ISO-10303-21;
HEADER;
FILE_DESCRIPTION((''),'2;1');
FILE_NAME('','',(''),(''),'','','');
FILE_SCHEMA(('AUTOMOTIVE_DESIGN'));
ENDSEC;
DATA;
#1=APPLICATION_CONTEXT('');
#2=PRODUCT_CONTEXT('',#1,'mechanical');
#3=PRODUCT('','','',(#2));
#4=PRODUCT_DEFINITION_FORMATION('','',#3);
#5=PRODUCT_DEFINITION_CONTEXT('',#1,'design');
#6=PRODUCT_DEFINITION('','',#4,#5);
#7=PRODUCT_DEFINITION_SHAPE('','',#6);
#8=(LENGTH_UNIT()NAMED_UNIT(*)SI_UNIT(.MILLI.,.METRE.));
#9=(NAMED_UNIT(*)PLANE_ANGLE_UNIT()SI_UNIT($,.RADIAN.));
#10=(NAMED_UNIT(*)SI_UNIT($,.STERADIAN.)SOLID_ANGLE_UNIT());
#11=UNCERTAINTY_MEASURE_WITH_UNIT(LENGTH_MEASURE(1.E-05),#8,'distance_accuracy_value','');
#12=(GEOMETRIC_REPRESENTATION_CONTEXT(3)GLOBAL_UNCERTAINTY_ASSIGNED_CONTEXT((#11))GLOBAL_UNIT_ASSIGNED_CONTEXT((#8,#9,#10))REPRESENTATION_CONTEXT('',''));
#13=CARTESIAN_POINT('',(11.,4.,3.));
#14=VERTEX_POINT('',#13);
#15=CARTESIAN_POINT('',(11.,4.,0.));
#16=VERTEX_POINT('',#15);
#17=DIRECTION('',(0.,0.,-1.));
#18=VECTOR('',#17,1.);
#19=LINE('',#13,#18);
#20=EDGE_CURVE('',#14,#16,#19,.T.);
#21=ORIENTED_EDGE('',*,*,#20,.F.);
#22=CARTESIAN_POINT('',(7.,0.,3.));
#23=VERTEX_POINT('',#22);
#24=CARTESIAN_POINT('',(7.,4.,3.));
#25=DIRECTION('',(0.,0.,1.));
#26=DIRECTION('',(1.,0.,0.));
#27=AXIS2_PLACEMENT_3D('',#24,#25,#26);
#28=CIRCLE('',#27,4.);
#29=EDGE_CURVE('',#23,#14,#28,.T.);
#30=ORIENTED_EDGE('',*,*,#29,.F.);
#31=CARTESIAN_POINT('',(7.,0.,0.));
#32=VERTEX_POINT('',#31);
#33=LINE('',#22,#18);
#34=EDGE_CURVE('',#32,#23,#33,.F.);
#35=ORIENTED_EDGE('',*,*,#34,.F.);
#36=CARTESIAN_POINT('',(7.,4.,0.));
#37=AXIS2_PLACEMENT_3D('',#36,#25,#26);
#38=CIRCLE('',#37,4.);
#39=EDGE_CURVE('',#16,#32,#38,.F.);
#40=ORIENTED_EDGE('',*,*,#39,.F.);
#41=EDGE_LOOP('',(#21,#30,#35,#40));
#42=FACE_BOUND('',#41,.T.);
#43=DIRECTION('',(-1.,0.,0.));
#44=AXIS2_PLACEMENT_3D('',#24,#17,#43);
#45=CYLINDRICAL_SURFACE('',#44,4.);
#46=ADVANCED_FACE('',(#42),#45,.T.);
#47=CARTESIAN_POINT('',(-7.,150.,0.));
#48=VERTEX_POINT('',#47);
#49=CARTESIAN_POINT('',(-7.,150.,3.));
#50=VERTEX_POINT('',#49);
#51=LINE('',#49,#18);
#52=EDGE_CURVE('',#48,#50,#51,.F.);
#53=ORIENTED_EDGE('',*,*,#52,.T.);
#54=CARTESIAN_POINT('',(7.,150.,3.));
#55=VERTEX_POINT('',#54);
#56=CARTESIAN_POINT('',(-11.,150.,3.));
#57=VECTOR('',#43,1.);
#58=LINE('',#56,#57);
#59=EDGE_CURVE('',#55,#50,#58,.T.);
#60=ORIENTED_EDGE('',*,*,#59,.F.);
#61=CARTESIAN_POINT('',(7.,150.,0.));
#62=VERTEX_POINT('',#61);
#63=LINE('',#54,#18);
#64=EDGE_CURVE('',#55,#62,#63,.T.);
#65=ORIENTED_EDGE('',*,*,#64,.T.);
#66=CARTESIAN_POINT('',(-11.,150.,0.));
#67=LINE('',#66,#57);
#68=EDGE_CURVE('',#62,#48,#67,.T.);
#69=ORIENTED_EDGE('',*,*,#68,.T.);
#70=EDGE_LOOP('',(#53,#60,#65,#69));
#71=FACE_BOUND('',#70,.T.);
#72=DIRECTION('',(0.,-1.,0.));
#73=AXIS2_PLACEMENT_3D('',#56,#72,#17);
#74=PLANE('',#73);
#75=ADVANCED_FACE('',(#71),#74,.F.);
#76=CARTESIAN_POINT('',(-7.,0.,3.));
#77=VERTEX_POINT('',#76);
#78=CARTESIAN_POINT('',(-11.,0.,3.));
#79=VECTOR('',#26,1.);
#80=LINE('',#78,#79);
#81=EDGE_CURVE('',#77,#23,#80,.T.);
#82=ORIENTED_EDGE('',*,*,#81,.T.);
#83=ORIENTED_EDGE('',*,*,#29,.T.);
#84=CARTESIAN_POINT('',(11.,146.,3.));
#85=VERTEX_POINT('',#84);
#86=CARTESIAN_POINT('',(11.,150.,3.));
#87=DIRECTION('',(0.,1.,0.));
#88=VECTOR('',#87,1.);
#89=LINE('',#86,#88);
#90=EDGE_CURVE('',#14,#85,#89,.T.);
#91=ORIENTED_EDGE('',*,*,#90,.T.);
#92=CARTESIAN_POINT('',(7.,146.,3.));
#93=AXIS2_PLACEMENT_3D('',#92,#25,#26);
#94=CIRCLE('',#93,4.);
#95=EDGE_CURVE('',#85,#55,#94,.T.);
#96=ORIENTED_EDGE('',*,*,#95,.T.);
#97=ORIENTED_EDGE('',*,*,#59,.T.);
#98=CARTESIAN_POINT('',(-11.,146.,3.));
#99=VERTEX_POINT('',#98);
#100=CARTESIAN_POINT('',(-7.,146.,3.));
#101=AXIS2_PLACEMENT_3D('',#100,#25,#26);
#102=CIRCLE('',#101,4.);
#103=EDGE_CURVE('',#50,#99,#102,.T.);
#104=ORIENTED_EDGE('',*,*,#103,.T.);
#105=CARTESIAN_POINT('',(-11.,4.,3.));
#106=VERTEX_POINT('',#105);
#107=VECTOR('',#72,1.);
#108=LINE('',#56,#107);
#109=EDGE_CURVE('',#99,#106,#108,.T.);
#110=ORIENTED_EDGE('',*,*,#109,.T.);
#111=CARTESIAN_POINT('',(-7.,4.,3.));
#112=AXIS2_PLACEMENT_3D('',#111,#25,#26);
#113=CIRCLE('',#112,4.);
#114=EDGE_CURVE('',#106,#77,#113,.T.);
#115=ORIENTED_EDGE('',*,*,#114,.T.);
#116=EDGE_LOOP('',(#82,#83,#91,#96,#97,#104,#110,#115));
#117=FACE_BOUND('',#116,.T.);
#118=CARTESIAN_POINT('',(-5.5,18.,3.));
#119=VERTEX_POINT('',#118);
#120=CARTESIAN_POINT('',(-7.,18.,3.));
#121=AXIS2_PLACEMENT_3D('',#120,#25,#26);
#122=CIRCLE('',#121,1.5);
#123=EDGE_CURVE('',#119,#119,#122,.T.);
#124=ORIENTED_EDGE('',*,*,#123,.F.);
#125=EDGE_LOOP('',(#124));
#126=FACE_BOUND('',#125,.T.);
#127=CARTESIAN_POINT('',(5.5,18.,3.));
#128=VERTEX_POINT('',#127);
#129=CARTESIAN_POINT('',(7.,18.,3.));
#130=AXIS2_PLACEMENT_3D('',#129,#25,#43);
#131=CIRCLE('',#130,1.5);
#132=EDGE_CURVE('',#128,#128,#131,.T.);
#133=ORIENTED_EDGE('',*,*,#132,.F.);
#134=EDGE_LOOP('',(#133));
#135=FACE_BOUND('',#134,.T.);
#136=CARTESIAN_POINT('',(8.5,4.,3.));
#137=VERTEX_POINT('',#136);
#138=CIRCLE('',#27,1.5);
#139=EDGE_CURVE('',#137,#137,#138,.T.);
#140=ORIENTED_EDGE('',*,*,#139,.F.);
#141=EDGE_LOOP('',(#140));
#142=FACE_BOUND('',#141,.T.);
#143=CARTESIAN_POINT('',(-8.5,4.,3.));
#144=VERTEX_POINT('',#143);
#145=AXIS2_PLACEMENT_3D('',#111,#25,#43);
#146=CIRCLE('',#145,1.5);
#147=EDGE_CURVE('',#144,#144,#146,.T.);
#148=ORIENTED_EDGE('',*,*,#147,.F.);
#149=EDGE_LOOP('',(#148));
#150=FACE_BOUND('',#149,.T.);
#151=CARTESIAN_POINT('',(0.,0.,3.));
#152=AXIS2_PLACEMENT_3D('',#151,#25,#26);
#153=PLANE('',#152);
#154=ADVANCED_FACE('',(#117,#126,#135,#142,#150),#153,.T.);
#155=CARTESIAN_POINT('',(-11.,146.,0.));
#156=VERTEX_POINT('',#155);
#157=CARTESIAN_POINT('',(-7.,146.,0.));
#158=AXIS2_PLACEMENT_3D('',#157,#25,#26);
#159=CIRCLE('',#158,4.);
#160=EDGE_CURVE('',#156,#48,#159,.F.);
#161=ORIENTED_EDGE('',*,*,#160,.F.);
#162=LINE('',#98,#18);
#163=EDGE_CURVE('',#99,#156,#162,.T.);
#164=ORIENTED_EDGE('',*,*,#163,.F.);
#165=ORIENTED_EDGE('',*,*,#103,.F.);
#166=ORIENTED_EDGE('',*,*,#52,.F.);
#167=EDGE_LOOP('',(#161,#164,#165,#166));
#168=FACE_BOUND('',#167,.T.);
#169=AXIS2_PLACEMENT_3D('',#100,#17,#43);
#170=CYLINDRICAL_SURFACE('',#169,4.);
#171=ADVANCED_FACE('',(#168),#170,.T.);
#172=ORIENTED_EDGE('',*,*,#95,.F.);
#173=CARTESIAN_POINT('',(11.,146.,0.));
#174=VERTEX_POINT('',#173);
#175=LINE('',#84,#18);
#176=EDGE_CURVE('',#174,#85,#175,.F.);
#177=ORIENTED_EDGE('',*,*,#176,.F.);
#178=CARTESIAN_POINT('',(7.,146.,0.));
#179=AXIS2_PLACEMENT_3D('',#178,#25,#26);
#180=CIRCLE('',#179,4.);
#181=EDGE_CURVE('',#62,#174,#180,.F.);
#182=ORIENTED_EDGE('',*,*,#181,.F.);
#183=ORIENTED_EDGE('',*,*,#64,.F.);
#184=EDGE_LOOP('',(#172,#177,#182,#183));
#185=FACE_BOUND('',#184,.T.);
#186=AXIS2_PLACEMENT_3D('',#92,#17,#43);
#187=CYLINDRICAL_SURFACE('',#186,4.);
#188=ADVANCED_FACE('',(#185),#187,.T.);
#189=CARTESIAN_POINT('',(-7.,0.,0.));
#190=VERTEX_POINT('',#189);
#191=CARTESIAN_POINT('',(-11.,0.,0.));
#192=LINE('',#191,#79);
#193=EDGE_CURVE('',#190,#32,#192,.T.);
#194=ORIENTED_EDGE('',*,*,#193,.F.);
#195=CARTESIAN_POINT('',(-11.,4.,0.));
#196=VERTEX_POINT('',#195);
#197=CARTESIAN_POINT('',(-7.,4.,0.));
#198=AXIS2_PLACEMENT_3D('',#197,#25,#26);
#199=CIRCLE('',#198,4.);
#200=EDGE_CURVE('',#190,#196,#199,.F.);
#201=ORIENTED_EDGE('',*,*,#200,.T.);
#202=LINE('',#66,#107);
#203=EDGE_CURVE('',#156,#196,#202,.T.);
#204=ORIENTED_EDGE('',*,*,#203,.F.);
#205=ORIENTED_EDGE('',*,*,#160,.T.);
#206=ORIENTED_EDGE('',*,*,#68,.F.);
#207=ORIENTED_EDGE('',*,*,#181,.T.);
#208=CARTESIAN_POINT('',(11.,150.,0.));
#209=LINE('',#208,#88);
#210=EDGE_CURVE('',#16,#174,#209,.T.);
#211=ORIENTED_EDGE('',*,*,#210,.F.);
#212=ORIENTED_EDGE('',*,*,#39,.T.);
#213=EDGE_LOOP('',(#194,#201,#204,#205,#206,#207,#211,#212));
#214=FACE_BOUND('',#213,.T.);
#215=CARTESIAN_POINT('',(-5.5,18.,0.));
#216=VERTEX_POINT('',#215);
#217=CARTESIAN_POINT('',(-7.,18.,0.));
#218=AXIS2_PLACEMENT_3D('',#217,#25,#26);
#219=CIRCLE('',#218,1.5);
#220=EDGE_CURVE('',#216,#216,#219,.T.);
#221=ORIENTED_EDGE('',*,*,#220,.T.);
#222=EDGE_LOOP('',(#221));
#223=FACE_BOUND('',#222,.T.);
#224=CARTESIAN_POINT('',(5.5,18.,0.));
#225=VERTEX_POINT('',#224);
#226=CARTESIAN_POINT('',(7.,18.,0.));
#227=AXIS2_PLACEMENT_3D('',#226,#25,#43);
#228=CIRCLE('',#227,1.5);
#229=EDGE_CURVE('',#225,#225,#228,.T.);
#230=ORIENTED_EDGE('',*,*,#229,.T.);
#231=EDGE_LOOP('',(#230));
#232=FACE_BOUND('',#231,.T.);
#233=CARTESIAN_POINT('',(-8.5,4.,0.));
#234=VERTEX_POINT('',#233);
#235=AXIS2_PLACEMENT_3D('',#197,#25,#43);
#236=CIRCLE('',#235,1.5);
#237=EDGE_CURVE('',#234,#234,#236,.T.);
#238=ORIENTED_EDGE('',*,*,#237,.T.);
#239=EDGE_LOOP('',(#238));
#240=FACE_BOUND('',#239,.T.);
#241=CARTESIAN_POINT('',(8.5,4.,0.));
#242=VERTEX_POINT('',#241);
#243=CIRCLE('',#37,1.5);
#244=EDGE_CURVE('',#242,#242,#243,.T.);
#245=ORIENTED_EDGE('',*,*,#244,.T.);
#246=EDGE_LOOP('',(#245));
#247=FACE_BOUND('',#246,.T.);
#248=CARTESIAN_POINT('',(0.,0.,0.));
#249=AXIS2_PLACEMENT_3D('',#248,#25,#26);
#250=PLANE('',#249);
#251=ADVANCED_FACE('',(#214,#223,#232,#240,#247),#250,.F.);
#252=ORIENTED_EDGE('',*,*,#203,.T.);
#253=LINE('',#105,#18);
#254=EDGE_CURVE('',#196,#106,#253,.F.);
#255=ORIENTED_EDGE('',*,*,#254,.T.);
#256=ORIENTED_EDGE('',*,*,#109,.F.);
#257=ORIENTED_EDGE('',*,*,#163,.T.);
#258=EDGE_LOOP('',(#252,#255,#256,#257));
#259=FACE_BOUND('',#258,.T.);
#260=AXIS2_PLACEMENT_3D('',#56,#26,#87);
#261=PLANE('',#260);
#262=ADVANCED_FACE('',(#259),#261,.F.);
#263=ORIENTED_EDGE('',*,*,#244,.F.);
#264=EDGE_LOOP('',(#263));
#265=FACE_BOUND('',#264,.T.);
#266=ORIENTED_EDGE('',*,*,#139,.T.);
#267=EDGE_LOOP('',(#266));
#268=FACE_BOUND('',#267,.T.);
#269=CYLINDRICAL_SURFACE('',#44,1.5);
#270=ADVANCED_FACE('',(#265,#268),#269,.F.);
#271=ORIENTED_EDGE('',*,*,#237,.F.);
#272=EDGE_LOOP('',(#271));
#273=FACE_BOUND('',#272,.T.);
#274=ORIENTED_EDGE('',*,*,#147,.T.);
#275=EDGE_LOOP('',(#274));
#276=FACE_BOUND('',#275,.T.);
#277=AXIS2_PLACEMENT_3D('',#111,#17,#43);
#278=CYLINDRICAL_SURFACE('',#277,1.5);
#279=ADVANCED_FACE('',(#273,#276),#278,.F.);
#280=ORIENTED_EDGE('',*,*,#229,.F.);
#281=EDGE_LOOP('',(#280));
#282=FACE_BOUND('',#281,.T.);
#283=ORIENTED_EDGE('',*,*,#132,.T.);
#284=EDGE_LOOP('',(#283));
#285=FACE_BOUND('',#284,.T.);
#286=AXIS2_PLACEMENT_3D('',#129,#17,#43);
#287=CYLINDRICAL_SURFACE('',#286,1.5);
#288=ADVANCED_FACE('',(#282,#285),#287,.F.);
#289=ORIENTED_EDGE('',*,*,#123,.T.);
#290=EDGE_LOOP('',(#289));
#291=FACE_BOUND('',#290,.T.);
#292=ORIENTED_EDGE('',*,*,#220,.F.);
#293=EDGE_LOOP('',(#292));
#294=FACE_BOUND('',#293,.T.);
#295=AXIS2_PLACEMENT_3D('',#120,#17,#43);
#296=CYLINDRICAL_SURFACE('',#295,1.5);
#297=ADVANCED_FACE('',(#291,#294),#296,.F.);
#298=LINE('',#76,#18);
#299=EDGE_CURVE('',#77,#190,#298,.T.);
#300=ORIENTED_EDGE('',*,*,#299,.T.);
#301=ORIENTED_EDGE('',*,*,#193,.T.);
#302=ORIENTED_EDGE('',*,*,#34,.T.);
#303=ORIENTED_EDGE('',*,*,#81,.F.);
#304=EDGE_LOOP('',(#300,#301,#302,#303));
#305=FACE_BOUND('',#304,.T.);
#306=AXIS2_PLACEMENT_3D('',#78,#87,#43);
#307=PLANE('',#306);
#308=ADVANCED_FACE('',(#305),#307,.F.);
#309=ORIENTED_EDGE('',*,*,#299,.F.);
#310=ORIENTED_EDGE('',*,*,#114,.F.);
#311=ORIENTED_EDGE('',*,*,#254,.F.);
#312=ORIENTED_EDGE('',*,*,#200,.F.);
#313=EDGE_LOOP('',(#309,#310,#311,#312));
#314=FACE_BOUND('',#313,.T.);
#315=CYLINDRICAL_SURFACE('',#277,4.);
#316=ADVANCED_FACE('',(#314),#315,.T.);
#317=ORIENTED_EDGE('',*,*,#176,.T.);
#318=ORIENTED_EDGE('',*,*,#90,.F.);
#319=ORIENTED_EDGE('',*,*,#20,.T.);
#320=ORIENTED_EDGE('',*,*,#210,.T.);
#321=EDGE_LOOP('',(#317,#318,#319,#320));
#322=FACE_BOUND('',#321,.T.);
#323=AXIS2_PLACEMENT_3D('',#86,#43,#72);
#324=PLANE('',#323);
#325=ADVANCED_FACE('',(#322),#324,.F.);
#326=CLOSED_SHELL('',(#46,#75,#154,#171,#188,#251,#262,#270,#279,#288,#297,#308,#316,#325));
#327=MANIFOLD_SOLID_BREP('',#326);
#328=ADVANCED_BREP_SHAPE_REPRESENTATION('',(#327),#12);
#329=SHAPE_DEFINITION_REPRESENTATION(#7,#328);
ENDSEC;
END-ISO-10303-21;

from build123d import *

# Parameters (mm, degrees)
ESQUISSE1_W        = 22
ESQUISSE1_H        = 150
ESQUISSE1_R        = 1.5
BOSS_EXTRU_1_DEPTH = 3
CONG_1_R           = 4


with BuildPart() as part:
    # Esquisse1 → Boss.-Extru.1 (new body)
    with BuildSketch(Plane.XY):
        with Locations((0, 75)):
            Rectangle(ESQUISSE1_W, ESQUISSE1_H)
        with Locations((7, 4)):
            Circle(ESQUISSE1_R, mode=Mode.SUBTRACT)
        with Locations(Location((-7, 4, 0), (0, 0, 180))):
            Circle(ESQUISSE1_R, mode=Mode.SUBTRACT)
        with Locations(Location((7, 18, 0), (0, 0, 180))):
            Circle(ESQUISSE1_R, mode=Mode.SUBTRACT)
        with Locations((-7, 18)):
            Circle(ESQUISSE1_R, mode=Mode.SUBTRACT)
    extrude(amount=BOSS_EXTRU_1_DEPTH)

    # Congé1
    cong_1_edges = [part.edges().sort_by_distance(p)[0] for p in [
        (-11, 150, 1.5),
        (11, 150, 1.5),
        (11, 0, 1.5),
        (-11, 0, 1.5),
    ]]
    fillet(cong_1_edges, radius=CONG_1_R)


solid = part.part
